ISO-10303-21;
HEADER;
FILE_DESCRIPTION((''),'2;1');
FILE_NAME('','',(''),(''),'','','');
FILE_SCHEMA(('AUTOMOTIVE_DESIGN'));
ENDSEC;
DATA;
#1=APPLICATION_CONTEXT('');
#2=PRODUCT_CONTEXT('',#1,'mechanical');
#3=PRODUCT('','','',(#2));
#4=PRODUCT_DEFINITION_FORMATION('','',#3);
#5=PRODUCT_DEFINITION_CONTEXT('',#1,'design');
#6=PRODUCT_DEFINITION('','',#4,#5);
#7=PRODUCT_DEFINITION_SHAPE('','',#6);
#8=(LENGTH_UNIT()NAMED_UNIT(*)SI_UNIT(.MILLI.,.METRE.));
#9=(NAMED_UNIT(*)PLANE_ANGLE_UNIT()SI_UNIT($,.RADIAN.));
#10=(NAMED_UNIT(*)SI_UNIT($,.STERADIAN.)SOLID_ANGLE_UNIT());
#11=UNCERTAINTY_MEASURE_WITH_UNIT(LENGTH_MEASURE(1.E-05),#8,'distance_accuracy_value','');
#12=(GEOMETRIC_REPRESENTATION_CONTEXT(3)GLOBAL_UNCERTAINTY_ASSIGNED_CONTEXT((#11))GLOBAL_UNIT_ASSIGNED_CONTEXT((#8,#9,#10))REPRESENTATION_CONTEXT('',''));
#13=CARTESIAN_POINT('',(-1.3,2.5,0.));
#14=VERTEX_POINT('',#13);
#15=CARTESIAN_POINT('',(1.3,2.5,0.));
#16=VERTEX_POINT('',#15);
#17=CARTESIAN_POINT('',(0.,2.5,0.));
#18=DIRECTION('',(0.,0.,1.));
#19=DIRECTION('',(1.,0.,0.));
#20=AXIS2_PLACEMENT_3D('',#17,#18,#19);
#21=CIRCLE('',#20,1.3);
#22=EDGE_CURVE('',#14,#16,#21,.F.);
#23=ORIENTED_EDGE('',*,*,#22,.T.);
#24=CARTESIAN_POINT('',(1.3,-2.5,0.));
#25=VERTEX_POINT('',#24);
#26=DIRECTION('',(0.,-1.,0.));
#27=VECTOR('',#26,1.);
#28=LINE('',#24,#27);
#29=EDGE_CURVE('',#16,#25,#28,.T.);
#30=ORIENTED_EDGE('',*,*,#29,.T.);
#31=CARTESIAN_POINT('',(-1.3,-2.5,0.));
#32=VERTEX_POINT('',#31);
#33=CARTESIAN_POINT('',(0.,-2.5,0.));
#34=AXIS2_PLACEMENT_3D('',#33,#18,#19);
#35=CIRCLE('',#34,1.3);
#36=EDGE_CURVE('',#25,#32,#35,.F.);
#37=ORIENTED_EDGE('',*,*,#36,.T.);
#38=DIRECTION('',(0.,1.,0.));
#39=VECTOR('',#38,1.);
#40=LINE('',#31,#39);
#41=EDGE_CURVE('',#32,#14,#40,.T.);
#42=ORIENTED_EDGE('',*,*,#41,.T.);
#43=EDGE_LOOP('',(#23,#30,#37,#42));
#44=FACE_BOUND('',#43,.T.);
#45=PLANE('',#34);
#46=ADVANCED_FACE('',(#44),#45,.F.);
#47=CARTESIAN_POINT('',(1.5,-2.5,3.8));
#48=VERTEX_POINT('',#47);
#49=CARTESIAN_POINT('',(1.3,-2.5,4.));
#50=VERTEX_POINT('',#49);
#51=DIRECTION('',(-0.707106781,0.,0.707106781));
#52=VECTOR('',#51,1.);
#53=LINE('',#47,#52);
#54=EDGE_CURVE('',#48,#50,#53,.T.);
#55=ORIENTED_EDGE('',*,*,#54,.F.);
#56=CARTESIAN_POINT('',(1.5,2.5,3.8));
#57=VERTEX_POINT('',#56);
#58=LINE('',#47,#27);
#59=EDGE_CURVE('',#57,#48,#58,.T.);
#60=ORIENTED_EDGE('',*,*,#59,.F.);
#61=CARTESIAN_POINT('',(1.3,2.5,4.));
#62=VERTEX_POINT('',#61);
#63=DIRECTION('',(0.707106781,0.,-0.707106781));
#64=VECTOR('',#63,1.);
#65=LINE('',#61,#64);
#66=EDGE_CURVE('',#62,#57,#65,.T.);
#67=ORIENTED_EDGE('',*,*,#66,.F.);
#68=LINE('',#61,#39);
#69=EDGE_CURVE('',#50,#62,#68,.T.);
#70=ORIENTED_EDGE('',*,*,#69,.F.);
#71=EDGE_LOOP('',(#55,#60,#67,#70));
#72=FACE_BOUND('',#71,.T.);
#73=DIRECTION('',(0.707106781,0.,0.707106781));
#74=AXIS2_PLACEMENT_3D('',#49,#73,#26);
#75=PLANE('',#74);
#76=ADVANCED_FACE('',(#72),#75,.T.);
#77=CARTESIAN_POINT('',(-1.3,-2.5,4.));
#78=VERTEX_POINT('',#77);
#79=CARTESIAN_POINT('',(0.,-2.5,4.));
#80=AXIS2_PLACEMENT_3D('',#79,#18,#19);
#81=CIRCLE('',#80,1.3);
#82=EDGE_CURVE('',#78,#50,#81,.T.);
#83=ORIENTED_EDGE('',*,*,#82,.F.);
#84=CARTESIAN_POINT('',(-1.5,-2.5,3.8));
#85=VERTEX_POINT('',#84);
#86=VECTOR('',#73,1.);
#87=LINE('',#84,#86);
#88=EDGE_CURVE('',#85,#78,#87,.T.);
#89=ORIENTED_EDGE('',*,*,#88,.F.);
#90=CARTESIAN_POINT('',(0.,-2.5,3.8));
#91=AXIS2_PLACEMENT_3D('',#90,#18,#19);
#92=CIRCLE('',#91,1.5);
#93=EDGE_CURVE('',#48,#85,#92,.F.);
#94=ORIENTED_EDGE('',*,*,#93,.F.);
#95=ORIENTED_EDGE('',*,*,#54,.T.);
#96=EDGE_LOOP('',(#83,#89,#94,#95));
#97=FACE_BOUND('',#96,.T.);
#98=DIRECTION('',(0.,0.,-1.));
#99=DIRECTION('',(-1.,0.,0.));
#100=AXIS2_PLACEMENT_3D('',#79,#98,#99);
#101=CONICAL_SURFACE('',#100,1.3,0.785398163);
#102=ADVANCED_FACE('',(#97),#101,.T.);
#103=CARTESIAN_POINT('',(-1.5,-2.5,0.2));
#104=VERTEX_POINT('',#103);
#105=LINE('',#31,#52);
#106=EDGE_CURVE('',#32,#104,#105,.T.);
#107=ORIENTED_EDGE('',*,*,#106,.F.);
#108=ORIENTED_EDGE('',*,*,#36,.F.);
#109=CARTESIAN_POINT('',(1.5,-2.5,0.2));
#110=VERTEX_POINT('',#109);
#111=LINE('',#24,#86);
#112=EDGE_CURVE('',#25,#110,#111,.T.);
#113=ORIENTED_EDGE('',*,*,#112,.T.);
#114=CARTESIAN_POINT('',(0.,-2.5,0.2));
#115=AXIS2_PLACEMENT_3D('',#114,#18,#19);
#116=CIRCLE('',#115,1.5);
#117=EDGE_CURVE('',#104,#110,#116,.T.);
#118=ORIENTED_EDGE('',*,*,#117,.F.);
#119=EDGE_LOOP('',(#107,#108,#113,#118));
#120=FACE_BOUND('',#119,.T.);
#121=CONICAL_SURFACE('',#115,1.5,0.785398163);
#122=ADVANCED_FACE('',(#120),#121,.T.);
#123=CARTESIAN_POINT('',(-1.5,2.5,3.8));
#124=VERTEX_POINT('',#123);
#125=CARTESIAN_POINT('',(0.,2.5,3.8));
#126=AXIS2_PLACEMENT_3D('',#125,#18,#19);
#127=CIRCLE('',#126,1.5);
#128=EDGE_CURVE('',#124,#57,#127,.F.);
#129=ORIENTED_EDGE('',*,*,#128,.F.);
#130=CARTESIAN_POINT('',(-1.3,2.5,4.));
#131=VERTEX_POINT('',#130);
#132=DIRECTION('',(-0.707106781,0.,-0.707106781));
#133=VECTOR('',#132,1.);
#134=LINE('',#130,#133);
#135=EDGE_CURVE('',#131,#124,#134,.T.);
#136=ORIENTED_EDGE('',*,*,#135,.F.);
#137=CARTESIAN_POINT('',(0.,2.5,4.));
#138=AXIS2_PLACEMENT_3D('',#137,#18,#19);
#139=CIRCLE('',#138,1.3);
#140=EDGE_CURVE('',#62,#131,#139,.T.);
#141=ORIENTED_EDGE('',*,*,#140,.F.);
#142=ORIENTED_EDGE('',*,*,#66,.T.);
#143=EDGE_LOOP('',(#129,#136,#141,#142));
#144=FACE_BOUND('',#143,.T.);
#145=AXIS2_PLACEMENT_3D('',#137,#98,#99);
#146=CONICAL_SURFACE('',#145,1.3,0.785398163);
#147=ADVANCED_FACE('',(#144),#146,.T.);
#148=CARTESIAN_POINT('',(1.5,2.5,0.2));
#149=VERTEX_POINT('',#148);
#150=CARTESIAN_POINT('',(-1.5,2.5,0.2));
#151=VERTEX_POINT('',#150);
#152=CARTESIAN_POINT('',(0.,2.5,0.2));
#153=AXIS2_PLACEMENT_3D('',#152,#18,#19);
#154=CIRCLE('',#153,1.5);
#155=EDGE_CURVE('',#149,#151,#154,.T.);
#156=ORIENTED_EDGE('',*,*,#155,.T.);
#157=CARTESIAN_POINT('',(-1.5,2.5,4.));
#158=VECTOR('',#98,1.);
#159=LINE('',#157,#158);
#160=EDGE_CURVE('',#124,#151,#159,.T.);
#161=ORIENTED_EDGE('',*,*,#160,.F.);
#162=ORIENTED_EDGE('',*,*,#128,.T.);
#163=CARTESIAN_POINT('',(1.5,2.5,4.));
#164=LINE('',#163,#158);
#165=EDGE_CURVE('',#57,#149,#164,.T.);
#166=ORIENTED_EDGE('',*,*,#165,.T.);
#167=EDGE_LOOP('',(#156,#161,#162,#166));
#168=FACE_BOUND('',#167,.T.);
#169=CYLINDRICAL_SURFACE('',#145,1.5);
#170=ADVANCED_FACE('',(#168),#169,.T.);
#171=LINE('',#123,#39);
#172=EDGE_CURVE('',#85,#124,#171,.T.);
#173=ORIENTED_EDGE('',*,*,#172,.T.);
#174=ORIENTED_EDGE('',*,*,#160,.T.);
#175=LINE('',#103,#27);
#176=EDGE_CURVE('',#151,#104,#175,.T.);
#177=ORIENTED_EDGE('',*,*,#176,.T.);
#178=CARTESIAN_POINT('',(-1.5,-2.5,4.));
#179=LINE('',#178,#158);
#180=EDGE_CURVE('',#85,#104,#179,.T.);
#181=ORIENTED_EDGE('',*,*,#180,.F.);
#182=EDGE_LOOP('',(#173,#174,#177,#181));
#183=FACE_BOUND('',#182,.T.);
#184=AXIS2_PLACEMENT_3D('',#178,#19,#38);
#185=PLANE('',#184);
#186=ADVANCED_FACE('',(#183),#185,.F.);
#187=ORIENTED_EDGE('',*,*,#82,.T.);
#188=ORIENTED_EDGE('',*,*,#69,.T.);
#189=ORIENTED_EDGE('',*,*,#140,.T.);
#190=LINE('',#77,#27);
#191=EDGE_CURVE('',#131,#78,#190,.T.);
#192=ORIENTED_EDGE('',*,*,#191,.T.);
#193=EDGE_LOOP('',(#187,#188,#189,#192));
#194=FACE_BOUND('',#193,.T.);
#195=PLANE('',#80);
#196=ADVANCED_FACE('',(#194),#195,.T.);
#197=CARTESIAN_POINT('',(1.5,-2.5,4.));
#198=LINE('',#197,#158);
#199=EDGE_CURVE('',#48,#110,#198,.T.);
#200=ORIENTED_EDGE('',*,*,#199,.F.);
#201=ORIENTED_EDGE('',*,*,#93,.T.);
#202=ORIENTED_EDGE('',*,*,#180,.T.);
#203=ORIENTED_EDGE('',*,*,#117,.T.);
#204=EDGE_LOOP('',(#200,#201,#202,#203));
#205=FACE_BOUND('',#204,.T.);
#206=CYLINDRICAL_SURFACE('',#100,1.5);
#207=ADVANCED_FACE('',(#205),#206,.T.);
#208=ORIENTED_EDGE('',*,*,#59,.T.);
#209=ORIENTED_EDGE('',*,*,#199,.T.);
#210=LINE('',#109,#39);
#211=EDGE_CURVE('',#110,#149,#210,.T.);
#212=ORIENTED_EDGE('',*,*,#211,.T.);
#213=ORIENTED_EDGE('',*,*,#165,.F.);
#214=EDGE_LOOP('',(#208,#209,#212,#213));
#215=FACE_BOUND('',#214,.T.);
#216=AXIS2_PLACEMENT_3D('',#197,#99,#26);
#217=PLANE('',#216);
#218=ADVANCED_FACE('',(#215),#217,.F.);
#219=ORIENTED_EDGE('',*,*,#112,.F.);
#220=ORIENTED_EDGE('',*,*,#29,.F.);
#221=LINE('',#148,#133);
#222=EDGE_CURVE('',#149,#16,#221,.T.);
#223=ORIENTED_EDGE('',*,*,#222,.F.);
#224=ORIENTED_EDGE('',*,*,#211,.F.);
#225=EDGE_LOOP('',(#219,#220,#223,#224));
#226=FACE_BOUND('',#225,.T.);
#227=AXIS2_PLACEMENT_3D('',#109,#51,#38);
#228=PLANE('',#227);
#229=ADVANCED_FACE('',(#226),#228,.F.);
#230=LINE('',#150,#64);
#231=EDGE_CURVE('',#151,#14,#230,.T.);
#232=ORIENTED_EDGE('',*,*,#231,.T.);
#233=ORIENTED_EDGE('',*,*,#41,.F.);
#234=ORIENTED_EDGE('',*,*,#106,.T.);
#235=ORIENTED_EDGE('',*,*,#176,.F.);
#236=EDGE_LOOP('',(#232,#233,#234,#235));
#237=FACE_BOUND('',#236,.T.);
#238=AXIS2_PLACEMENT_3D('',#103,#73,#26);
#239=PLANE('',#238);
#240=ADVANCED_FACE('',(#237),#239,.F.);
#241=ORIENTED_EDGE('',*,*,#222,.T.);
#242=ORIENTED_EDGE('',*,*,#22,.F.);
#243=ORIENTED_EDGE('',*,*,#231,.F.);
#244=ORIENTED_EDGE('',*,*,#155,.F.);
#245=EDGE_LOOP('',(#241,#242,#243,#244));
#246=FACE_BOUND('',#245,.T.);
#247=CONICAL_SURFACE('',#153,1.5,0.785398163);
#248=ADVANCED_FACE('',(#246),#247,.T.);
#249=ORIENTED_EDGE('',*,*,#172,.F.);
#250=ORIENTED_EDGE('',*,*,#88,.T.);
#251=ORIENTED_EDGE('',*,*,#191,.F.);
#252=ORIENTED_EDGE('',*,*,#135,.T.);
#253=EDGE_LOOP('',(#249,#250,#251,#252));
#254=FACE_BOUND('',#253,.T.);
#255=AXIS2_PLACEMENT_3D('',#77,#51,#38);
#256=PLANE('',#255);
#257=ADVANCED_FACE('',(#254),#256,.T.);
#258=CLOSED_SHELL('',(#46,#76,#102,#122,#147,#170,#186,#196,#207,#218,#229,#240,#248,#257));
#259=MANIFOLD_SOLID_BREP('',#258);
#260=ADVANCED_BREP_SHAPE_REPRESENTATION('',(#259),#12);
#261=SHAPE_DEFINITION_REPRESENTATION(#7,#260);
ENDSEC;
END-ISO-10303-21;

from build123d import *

# Parameters (mm, degrees)
EXTRUDE_1_DEPTH = 4
CHAMFER_1_SIZE  = 0.2


with BuildPart() as part:
    # 草图1 → 凸台-拉伸1 (new body)
    with BuildSketch(Plane.XY):
        with BuildLine():
            Line((-1.5, -2.5), (-1.5, 2.5))
            ThreePointArc((-1.5, 2.5), (0, 4), (1.5, 2.5))
            Line((1.5, 2.5), (1.5, -2.5))
            ThreePointArc((1.5, -2.5), (0, -4), (-1.5, -2.5))
        make_face()
    extrude(amount=EXTRUDE_1_DEPTH)

    # 倒角1
    chamfer_1_edges = [part.edges().sort_by_distance(p)[0] for p in [
        (0, 4, 4),
        (-1.5, 0, 4),
        (0, -4, 4),
        (-1.5, 0, 0),
        (0, 4, 0),
        (1.5, 0, 0),
        (0, -4, 0),
        (1.5, 0, 4),
    ]]
    chamfer(chamfer_1_edges, length=CHAMFER_1_SIZE)


solid = part.part
